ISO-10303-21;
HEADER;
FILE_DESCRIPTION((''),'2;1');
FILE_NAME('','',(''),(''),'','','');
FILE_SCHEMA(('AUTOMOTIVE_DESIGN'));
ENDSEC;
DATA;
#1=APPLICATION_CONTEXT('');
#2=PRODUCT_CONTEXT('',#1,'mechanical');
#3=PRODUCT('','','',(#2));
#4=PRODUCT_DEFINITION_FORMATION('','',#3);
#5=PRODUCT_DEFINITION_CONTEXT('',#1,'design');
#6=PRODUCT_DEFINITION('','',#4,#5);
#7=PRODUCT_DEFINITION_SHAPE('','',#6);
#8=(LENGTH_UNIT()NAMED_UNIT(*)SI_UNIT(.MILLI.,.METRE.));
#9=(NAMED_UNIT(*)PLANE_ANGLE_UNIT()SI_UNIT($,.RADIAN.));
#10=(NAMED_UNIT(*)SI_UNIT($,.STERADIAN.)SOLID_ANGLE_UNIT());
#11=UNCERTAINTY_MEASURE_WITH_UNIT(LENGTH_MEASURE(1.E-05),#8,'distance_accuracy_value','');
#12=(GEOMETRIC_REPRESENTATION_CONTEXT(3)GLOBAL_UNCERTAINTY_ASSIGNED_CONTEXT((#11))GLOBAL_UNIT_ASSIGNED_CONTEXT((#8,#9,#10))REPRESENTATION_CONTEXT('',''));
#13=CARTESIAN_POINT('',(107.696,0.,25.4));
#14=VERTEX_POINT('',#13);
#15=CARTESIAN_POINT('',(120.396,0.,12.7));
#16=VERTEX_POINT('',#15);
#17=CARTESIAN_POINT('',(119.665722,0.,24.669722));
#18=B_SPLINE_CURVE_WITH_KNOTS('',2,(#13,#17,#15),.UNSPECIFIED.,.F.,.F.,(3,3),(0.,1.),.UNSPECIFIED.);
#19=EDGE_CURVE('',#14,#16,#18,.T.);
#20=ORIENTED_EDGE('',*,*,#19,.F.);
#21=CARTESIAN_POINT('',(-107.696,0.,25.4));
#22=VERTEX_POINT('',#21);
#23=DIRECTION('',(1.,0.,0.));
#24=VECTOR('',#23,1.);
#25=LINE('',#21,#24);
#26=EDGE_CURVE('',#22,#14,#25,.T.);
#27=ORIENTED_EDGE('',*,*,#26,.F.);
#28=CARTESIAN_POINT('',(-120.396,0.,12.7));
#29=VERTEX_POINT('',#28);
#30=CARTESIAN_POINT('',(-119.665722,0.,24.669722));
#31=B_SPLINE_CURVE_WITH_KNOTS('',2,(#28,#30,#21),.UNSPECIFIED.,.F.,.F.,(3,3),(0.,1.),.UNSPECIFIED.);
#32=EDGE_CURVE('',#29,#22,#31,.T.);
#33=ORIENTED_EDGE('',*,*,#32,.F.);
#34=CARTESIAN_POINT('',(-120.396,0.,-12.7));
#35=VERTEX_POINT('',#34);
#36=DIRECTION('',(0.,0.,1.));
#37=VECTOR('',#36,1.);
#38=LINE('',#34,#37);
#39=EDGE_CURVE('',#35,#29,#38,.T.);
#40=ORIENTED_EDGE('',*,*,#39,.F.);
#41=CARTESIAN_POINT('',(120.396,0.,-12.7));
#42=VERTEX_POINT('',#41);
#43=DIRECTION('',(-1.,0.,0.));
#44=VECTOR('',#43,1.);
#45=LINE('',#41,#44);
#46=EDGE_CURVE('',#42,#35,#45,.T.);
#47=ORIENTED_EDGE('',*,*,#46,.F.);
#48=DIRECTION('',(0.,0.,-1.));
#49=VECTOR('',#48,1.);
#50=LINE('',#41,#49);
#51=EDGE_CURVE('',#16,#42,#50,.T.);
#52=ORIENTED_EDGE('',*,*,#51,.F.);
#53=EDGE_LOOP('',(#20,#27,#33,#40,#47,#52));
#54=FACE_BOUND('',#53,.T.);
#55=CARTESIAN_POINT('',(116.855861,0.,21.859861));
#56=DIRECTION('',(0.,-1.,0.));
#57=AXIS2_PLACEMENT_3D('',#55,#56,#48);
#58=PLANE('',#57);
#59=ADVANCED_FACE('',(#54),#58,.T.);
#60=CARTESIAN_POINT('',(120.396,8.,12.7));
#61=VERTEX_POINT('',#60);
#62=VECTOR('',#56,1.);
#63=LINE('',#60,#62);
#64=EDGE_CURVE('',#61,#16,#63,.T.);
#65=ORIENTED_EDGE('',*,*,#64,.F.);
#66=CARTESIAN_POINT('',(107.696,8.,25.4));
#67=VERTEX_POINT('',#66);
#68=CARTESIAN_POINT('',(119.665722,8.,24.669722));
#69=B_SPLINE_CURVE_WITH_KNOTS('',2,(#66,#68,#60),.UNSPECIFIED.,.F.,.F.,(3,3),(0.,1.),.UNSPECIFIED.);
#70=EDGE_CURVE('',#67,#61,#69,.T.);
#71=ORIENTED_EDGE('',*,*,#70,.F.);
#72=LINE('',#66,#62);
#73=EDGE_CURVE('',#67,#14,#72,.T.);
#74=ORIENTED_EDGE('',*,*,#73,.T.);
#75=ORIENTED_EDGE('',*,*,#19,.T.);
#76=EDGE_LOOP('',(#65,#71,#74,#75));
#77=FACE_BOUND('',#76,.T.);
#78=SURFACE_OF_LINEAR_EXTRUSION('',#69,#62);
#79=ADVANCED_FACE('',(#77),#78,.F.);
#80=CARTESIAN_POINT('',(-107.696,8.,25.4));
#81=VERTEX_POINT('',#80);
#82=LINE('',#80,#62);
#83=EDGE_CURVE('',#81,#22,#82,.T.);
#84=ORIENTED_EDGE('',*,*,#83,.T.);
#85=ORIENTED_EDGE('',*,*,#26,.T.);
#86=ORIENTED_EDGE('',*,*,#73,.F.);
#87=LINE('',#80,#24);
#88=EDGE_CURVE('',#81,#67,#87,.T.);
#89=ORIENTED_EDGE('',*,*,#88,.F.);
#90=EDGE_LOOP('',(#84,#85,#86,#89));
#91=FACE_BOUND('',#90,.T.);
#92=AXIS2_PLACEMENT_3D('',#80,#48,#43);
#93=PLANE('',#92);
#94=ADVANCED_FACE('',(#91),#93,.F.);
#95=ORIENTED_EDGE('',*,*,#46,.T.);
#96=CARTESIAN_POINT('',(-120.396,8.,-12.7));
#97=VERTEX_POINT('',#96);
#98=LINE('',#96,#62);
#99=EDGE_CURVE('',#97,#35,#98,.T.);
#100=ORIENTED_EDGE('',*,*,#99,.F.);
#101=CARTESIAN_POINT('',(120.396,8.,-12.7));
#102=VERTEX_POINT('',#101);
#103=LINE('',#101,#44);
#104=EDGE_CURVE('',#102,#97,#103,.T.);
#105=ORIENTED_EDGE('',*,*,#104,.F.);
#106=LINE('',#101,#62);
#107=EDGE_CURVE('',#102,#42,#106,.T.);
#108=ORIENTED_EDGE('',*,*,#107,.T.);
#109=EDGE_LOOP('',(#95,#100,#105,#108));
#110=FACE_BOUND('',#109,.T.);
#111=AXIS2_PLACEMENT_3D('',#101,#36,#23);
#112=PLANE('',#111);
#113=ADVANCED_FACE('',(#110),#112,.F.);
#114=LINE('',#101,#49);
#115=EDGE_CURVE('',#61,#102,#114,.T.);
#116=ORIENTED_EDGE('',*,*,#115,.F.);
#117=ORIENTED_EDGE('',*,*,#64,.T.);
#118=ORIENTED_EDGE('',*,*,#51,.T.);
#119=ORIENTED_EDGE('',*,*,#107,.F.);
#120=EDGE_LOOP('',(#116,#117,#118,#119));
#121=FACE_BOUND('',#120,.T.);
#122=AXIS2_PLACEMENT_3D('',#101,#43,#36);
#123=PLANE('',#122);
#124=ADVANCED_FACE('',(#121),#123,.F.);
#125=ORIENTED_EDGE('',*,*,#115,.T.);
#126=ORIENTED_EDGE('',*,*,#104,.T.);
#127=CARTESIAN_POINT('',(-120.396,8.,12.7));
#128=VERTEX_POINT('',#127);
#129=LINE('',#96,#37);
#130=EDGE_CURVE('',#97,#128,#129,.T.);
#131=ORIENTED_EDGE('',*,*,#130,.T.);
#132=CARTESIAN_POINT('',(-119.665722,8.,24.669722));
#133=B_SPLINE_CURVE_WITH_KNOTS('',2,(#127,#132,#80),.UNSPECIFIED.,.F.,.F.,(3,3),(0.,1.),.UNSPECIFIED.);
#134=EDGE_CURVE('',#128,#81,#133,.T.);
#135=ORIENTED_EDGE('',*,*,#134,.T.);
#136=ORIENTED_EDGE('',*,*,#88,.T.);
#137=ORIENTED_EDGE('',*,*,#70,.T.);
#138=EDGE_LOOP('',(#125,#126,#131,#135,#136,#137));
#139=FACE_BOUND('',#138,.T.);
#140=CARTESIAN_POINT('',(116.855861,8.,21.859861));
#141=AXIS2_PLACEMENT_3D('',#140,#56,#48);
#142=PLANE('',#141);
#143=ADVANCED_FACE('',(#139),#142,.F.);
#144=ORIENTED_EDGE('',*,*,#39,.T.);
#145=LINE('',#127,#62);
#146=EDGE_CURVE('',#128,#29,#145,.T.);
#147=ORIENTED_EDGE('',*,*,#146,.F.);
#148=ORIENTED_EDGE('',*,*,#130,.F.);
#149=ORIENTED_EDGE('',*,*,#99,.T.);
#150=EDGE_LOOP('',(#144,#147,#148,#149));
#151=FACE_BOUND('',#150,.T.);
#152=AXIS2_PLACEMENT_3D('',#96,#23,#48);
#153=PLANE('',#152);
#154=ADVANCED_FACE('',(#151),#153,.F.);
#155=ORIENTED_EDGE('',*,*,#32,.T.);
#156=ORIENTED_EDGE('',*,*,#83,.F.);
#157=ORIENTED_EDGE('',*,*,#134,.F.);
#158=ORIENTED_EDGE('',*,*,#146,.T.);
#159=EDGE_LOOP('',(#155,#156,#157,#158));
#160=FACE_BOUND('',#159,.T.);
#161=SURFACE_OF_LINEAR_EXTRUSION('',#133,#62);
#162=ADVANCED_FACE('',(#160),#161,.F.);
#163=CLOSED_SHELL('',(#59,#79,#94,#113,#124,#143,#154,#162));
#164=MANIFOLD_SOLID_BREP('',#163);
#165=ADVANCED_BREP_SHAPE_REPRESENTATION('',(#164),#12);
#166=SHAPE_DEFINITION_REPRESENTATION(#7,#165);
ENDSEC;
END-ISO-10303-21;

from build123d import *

# Parameters (mm, degrees)
BOSS_EXTRUDE1_DEPTH = 8


with BuildPart() as part:
    # Sketch2 → Boss-Extrude1 (new body)
    with BuildSketch(Plane(origin=(0, 0, 0), x_dir=(1, 0, 0), z_dir=(0, 1, 0))):
        with BuildLine():
            Line((-107.696, -25.4), (107.696, -25.4))
            add(Edge.make_bspline(
                [(107.696, -25.4), (119.665722487, -24.669722487), (120.396, -12.7)],
                knots=[0, 0, 0, 1, 1, 1], degree=2))
            Line((120.396, -12.7), (120.396, 12.7))
            Line((120.396, 12.7), (-120.396, 12.7))
            Line((-120.396, 12.7), (-120.396, -12.7))
            add(Edge.make_bspline(
                [(-107.696, -25.4), (-119.665722487, -24.669722487), (-120.396, -12.7)],
                knots=[0, 0, 0, 1, 1, 1], degree=2))
        make_face()
    extrude(amount=BOSS_EXTRUDE1_DEPTH)


solid = part.part
